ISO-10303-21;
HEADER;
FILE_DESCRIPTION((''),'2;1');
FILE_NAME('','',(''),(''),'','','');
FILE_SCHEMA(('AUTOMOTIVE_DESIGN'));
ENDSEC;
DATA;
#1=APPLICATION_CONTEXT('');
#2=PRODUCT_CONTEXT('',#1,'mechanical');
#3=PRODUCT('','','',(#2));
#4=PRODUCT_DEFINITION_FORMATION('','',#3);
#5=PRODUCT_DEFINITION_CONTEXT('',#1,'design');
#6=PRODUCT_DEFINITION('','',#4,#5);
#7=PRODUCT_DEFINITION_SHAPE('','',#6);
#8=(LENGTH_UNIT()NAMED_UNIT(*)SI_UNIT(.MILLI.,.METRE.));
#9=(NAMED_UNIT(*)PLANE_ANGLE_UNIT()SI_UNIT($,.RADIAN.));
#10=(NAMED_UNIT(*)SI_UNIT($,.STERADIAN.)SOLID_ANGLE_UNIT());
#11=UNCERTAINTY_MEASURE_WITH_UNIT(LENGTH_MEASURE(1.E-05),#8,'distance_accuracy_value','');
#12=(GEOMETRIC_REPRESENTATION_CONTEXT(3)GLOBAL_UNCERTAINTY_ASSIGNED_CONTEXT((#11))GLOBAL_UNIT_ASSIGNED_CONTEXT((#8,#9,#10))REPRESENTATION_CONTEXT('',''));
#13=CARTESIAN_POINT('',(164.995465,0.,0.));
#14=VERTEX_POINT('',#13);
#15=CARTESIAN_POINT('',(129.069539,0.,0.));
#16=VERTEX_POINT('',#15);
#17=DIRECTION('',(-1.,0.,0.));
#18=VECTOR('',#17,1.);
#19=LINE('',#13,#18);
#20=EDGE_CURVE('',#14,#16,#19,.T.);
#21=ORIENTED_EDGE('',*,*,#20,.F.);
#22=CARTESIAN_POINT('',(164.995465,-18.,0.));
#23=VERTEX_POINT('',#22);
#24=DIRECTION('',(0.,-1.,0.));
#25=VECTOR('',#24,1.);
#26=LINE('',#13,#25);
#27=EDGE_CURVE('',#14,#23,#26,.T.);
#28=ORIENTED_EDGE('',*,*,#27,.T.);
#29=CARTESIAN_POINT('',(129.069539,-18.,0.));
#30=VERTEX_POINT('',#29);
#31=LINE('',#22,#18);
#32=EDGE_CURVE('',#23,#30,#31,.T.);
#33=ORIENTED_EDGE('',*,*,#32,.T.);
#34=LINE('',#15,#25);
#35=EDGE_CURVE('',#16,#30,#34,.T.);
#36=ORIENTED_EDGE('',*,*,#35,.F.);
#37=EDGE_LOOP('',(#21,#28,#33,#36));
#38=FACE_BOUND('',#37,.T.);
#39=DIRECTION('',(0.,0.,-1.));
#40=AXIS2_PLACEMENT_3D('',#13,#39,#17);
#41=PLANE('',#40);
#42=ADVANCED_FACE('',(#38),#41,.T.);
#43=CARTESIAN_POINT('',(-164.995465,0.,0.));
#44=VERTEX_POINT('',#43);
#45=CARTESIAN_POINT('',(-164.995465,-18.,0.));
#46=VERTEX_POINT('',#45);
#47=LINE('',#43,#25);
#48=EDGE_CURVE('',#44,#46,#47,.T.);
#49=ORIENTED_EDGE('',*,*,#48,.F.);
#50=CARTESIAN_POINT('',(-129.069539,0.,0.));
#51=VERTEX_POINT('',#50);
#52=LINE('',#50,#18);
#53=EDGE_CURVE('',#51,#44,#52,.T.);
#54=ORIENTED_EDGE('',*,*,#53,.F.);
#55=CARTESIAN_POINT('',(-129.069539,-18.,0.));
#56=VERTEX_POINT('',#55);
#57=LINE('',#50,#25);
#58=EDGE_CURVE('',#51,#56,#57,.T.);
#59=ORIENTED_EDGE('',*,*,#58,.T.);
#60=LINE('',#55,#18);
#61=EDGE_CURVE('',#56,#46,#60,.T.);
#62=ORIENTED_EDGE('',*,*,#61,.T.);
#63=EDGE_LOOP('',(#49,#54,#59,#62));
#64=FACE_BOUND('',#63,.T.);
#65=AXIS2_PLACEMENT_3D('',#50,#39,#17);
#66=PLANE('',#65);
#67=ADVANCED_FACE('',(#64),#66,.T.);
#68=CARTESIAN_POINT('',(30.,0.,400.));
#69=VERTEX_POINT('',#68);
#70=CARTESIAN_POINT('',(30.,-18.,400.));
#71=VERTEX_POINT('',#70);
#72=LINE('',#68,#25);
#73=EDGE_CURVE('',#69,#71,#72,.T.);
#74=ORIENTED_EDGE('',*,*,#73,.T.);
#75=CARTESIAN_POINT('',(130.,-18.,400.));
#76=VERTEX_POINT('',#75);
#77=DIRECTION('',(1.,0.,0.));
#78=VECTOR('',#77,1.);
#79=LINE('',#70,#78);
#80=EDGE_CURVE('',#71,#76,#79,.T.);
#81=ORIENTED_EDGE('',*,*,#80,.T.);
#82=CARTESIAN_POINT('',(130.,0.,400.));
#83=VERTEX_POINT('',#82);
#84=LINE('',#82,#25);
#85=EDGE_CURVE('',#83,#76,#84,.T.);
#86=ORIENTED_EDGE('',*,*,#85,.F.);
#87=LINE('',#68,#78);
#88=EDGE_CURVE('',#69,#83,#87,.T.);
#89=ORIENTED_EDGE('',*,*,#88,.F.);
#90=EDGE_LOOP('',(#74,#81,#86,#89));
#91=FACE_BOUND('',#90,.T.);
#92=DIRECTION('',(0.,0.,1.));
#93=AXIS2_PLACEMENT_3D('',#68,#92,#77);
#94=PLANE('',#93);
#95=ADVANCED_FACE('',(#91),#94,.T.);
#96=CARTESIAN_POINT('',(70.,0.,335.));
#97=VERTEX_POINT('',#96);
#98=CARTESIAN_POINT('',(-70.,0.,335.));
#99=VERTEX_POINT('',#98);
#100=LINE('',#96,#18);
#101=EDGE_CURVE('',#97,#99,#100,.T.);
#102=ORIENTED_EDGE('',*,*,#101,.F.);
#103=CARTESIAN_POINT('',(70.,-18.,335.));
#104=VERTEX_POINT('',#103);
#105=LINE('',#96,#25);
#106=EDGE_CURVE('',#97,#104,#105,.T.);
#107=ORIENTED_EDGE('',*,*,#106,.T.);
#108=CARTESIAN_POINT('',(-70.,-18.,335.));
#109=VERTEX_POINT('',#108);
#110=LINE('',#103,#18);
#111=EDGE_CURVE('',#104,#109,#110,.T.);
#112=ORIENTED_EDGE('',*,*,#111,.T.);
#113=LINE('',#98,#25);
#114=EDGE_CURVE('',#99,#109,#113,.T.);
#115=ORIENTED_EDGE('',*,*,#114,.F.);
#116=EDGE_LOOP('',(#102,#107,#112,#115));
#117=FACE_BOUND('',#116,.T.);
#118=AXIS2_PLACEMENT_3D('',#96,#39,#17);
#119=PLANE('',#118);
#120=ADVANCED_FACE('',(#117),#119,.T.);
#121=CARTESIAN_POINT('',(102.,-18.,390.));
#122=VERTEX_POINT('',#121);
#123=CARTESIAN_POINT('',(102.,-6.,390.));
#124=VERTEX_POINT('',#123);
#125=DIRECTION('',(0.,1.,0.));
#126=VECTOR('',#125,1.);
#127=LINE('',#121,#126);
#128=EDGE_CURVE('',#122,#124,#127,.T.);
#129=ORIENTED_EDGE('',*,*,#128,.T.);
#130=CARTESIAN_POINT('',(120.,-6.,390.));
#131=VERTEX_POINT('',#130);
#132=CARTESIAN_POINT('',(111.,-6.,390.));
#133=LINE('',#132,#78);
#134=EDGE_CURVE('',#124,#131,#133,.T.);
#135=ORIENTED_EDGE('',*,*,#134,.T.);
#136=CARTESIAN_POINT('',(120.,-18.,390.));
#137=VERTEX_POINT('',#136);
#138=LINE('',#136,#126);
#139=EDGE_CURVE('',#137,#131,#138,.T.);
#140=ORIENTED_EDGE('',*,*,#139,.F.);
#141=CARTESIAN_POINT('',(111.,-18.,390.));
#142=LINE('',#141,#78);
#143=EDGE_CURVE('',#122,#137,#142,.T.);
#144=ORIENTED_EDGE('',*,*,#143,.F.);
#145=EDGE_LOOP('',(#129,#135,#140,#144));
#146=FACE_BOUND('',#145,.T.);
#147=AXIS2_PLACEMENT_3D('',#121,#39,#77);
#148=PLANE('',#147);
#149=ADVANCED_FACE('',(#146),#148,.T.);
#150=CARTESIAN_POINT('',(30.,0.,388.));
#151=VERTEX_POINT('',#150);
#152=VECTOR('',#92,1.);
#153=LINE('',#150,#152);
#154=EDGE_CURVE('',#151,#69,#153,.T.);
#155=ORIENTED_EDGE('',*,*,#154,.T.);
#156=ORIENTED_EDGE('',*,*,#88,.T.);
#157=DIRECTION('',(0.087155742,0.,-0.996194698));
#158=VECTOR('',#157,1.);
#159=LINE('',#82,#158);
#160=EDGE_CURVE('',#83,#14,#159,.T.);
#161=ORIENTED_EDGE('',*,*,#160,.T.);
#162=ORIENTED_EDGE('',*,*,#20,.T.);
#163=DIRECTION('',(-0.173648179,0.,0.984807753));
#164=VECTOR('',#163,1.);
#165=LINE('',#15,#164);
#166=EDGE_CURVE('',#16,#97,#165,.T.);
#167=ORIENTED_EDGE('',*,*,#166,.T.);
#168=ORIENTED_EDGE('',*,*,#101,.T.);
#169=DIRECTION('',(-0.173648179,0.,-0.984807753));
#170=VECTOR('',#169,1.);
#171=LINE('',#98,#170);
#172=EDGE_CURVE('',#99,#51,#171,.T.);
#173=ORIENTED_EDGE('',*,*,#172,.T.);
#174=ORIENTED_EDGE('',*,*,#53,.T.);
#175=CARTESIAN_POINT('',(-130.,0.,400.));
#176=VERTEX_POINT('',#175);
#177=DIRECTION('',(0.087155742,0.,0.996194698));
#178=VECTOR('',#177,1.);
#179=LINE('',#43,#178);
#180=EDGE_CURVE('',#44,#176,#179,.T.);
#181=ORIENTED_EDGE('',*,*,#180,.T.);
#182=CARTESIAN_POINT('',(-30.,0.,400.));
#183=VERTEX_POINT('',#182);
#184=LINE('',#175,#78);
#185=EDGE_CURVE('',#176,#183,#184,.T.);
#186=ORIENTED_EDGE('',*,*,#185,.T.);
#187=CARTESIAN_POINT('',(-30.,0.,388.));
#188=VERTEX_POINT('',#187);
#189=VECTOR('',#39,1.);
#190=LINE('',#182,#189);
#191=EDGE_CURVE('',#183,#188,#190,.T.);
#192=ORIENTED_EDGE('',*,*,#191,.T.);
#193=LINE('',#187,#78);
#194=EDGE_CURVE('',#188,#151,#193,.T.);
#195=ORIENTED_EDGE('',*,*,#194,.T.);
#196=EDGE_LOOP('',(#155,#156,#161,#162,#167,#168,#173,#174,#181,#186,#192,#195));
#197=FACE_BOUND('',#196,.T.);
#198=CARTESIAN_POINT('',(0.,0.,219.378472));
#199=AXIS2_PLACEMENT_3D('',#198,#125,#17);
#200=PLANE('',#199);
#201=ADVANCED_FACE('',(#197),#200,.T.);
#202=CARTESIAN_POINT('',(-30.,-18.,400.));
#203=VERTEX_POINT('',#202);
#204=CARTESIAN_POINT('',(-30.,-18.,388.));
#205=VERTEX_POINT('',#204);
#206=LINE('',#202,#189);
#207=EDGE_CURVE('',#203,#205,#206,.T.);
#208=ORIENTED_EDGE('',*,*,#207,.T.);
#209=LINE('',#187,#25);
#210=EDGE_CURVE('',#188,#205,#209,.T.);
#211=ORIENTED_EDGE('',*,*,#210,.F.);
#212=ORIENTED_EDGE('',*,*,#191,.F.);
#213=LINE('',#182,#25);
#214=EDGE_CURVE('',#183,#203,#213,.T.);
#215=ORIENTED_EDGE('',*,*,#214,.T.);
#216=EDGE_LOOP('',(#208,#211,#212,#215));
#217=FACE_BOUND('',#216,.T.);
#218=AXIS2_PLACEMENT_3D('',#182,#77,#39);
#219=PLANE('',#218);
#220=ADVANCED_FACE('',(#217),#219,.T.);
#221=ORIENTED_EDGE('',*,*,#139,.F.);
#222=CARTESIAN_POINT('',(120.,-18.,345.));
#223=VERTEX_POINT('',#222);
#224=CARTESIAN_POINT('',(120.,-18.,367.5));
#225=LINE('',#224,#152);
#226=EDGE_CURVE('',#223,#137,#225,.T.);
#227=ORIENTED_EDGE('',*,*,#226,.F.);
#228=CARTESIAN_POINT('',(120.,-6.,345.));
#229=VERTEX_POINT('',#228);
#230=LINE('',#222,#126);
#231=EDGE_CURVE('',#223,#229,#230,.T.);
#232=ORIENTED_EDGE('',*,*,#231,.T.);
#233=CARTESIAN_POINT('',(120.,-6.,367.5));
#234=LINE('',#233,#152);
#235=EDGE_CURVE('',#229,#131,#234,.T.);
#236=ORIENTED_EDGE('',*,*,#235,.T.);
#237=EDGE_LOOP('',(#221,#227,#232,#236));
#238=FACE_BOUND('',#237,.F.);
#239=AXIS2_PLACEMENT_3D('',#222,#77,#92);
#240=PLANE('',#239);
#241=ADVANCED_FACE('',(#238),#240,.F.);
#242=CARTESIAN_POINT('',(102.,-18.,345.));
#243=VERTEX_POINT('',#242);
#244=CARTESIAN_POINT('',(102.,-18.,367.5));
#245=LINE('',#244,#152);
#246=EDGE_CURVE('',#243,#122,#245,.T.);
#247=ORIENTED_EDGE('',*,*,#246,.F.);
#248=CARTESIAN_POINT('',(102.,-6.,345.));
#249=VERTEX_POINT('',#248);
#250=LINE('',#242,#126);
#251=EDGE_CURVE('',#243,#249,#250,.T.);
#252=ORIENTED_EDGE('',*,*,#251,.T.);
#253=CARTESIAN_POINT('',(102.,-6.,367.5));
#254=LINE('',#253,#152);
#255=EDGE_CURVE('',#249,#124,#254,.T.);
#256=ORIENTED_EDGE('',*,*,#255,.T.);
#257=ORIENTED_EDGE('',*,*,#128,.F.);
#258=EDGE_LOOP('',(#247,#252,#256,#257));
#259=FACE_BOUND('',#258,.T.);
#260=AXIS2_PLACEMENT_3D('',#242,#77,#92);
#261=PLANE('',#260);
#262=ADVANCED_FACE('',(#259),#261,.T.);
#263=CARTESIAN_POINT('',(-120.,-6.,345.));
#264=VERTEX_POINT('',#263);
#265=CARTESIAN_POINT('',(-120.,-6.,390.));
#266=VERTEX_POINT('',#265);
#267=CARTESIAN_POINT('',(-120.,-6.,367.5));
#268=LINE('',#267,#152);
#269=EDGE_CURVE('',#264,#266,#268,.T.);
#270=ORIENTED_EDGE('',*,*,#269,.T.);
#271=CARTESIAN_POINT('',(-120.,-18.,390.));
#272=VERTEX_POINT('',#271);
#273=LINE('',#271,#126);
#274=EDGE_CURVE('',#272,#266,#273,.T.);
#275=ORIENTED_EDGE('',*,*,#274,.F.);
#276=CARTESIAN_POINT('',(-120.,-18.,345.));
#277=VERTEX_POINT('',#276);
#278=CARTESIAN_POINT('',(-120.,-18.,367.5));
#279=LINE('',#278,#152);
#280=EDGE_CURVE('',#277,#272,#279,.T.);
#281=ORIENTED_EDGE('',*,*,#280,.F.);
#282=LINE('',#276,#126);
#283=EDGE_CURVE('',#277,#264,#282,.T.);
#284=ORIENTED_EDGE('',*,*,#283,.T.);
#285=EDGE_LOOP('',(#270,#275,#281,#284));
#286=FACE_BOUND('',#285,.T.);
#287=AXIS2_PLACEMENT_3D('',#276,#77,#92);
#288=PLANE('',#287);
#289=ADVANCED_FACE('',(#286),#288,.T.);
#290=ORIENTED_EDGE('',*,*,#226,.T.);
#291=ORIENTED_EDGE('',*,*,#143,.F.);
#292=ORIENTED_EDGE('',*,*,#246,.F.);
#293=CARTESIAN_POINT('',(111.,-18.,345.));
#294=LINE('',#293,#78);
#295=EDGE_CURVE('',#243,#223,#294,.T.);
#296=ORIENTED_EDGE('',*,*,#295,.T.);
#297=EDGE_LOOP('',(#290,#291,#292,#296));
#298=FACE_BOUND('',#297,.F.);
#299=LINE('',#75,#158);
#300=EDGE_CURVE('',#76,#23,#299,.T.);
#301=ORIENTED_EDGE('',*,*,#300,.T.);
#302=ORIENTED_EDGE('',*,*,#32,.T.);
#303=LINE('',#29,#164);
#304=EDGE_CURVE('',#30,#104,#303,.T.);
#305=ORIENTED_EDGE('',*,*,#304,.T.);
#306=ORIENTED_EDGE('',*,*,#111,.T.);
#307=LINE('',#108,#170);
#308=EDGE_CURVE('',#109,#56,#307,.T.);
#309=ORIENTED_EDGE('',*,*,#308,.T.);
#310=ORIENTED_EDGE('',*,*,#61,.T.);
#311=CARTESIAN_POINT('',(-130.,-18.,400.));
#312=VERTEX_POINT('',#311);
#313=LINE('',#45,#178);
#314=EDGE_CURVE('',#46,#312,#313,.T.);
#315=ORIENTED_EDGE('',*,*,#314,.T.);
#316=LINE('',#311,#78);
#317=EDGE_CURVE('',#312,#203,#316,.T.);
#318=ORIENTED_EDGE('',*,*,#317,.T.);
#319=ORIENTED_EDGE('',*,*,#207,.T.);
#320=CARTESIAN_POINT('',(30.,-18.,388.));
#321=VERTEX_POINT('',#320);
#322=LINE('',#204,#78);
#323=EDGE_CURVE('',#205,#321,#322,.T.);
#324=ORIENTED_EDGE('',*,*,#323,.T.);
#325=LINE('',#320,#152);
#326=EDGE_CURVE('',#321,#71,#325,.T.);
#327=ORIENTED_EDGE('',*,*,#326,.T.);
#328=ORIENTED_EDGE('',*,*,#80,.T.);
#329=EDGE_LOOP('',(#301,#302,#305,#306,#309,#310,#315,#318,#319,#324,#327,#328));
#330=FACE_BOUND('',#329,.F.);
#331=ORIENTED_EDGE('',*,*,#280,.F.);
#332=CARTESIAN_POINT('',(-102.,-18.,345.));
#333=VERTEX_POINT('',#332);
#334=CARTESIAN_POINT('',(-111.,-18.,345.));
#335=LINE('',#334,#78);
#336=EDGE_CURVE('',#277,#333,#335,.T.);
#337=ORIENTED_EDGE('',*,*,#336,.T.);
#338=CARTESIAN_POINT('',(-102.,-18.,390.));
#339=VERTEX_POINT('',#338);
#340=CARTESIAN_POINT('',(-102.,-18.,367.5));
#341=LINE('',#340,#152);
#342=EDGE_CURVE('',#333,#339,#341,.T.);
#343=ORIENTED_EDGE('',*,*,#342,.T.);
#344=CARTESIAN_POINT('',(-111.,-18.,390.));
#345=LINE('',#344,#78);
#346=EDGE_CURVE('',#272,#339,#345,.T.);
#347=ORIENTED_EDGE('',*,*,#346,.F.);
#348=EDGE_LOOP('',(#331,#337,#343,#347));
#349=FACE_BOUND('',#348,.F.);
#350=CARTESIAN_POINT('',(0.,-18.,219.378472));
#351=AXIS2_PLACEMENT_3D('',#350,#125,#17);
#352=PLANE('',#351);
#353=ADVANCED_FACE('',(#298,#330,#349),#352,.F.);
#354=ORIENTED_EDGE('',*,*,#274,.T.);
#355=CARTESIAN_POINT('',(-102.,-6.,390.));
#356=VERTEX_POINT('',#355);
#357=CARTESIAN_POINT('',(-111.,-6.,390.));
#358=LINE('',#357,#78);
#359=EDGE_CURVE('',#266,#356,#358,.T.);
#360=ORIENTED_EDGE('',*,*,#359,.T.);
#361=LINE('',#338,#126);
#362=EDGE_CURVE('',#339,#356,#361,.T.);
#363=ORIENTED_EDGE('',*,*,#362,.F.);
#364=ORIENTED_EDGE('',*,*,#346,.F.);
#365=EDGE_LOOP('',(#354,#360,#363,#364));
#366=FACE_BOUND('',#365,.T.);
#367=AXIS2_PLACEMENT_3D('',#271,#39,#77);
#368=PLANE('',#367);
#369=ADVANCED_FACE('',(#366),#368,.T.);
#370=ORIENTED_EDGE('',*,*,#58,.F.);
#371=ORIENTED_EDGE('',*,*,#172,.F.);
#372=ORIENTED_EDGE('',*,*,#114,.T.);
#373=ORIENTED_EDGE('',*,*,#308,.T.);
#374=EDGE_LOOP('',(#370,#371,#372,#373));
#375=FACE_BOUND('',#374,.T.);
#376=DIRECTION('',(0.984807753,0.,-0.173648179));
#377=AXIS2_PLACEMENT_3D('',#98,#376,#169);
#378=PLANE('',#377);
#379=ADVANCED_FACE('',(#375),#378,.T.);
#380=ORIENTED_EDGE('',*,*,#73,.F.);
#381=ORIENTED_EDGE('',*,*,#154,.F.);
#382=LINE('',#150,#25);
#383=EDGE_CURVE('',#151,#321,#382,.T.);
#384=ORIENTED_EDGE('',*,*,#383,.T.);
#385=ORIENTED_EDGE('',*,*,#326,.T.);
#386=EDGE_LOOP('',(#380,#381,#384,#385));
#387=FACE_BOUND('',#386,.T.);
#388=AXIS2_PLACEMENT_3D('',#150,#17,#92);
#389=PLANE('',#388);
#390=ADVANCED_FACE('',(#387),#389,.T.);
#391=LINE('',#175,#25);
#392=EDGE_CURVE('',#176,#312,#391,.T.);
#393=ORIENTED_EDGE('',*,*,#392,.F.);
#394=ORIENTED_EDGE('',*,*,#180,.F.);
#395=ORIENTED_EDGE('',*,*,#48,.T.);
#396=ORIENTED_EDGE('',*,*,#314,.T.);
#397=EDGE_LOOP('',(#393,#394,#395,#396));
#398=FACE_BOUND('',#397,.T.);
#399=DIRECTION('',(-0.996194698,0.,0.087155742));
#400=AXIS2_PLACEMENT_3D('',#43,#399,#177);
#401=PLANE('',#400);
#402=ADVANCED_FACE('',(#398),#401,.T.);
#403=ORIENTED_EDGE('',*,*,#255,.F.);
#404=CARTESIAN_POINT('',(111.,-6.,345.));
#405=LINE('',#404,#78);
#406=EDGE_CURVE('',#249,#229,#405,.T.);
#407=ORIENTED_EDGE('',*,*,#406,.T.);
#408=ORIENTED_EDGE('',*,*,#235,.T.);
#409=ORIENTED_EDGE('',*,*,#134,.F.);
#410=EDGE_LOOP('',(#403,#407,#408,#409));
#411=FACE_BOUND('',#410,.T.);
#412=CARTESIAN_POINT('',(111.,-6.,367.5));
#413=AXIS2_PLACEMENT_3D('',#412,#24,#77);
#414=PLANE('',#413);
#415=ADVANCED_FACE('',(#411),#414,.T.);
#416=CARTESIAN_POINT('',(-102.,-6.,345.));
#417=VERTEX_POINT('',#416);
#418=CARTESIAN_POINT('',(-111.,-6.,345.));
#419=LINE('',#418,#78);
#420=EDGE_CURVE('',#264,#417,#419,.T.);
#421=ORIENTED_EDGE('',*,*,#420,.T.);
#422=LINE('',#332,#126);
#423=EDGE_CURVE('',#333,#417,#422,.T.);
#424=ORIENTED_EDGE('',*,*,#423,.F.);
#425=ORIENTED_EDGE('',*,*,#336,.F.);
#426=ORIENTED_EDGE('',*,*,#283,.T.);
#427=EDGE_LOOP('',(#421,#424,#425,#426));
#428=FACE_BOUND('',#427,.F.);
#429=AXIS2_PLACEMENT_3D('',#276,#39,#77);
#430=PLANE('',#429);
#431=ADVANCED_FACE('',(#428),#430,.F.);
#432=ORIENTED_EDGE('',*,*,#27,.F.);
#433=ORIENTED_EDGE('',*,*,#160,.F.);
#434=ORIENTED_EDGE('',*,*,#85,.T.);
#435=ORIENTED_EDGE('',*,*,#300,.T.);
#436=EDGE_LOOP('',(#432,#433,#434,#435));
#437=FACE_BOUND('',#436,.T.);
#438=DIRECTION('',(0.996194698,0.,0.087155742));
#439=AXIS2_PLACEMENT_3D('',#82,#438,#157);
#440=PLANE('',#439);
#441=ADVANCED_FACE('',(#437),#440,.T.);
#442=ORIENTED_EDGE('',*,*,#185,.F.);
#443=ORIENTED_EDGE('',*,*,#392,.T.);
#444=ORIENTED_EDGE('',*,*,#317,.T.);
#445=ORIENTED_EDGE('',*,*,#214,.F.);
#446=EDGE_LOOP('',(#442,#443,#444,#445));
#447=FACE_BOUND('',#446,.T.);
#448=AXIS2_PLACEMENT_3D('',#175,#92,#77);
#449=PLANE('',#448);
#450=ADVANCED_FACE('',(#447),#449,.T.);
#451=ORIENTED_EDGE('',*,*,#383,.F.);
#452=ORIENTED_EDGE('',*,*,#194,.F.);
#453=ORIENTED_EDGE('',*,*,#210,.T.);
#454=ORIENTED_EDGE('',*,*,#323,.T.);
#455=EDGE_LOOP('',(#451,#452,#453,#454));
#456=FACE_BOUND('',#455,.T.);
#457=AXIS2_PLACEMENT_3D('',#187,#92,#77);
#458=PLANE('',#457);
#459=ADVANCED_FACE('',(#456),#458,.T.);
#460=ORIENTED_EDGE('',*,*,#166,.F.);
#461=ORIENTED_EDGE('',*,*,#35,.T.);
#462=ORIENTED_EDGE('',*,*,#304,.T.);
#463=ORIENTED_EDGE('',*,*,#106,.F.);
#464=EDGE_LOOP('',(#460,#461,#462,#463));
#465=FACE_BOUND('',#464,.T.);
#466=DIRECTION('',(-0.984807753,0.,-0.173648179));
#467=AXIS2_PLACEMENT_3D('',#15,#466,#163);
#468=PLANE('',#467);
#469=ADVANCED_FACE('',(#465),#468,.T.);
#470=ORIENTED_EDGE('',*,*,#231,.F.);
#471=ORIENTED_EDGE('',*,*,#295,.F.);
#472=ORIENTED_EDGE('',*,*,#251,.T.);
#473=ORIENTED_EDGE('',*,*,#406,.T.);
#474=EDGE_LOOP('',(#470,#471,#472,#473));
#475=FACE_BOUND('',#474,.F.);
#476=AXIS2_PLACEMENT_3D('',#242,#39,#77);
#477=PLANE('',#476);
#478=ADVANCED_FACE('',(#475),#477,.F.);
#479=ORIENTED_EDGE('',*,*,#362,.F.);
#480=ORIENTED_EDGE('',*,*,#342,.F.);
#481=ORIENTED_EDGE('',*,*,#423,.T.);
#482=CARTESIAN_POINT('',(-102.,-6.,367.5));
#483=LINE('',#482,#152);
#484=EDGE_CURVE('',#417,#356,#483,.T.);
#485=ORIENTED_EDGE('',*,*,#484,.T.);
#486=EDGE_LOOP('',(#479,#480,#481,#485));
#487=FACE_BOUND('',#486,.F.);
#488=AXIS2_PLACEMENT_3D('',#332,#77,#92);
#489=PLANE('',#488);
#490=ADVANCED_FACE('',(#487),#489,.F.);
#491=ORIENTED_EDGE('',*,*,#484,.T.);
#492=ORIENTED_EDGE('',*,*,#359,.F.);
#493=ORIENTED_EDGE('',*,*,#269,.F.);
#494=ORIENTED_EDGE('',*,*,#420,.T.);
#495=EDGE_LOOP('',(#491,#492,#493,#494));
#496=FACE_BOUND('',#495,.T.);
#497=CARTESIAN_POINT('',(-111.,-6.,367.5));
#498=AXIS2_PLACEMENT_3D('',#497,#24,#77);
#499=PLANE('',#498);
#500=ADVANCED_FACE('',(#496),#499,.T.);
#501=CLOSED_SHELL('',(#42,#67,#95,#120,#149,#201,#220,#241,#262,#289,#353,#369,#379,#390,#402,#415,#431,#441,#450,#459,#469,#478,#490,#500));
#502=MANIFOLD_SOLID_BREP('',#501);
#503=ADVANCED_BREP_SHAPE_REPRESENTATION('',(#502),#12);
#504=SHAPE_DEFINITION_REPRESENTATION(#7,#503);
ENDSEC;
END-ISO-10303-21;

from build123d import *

# Parameters (mm, degrees)
PAD_DEPTH    = 18
SKETCH001_W  = 18
SKETCH001_H  = 45
POCKET_DEPTH = 12


with BuildPart() as part:
    # Sketch → Pad (new body)
    with BuildSketch(Plane.XZ):
        Polygon((-164.995465, 0), (-130, 400), (-30, 400), (-30, 388), (30, 388), (30, 400), (130, 400), (164.995465, 0), (129.069539, 0), (70, 335), (-70, 335), (-129.069539, 0), align=None)
    extrude(amount=PAD_DEPTH)

    # Sketch001 → Pocket (cut)
    with BuildSketch(Plane.XZ.offset(18)):
        with Locations((-111, 367.5)):
            Rectangle(SKETCH001_W, SKETCH001_H)
        with Locations((111, 367.5)):
            Rectangle(SKETCH001_W, SKETCH001_H)
    extrude(amount=-POCKET_DEPTH, mode=Mode.SUBTRACT)


solid = part.part
